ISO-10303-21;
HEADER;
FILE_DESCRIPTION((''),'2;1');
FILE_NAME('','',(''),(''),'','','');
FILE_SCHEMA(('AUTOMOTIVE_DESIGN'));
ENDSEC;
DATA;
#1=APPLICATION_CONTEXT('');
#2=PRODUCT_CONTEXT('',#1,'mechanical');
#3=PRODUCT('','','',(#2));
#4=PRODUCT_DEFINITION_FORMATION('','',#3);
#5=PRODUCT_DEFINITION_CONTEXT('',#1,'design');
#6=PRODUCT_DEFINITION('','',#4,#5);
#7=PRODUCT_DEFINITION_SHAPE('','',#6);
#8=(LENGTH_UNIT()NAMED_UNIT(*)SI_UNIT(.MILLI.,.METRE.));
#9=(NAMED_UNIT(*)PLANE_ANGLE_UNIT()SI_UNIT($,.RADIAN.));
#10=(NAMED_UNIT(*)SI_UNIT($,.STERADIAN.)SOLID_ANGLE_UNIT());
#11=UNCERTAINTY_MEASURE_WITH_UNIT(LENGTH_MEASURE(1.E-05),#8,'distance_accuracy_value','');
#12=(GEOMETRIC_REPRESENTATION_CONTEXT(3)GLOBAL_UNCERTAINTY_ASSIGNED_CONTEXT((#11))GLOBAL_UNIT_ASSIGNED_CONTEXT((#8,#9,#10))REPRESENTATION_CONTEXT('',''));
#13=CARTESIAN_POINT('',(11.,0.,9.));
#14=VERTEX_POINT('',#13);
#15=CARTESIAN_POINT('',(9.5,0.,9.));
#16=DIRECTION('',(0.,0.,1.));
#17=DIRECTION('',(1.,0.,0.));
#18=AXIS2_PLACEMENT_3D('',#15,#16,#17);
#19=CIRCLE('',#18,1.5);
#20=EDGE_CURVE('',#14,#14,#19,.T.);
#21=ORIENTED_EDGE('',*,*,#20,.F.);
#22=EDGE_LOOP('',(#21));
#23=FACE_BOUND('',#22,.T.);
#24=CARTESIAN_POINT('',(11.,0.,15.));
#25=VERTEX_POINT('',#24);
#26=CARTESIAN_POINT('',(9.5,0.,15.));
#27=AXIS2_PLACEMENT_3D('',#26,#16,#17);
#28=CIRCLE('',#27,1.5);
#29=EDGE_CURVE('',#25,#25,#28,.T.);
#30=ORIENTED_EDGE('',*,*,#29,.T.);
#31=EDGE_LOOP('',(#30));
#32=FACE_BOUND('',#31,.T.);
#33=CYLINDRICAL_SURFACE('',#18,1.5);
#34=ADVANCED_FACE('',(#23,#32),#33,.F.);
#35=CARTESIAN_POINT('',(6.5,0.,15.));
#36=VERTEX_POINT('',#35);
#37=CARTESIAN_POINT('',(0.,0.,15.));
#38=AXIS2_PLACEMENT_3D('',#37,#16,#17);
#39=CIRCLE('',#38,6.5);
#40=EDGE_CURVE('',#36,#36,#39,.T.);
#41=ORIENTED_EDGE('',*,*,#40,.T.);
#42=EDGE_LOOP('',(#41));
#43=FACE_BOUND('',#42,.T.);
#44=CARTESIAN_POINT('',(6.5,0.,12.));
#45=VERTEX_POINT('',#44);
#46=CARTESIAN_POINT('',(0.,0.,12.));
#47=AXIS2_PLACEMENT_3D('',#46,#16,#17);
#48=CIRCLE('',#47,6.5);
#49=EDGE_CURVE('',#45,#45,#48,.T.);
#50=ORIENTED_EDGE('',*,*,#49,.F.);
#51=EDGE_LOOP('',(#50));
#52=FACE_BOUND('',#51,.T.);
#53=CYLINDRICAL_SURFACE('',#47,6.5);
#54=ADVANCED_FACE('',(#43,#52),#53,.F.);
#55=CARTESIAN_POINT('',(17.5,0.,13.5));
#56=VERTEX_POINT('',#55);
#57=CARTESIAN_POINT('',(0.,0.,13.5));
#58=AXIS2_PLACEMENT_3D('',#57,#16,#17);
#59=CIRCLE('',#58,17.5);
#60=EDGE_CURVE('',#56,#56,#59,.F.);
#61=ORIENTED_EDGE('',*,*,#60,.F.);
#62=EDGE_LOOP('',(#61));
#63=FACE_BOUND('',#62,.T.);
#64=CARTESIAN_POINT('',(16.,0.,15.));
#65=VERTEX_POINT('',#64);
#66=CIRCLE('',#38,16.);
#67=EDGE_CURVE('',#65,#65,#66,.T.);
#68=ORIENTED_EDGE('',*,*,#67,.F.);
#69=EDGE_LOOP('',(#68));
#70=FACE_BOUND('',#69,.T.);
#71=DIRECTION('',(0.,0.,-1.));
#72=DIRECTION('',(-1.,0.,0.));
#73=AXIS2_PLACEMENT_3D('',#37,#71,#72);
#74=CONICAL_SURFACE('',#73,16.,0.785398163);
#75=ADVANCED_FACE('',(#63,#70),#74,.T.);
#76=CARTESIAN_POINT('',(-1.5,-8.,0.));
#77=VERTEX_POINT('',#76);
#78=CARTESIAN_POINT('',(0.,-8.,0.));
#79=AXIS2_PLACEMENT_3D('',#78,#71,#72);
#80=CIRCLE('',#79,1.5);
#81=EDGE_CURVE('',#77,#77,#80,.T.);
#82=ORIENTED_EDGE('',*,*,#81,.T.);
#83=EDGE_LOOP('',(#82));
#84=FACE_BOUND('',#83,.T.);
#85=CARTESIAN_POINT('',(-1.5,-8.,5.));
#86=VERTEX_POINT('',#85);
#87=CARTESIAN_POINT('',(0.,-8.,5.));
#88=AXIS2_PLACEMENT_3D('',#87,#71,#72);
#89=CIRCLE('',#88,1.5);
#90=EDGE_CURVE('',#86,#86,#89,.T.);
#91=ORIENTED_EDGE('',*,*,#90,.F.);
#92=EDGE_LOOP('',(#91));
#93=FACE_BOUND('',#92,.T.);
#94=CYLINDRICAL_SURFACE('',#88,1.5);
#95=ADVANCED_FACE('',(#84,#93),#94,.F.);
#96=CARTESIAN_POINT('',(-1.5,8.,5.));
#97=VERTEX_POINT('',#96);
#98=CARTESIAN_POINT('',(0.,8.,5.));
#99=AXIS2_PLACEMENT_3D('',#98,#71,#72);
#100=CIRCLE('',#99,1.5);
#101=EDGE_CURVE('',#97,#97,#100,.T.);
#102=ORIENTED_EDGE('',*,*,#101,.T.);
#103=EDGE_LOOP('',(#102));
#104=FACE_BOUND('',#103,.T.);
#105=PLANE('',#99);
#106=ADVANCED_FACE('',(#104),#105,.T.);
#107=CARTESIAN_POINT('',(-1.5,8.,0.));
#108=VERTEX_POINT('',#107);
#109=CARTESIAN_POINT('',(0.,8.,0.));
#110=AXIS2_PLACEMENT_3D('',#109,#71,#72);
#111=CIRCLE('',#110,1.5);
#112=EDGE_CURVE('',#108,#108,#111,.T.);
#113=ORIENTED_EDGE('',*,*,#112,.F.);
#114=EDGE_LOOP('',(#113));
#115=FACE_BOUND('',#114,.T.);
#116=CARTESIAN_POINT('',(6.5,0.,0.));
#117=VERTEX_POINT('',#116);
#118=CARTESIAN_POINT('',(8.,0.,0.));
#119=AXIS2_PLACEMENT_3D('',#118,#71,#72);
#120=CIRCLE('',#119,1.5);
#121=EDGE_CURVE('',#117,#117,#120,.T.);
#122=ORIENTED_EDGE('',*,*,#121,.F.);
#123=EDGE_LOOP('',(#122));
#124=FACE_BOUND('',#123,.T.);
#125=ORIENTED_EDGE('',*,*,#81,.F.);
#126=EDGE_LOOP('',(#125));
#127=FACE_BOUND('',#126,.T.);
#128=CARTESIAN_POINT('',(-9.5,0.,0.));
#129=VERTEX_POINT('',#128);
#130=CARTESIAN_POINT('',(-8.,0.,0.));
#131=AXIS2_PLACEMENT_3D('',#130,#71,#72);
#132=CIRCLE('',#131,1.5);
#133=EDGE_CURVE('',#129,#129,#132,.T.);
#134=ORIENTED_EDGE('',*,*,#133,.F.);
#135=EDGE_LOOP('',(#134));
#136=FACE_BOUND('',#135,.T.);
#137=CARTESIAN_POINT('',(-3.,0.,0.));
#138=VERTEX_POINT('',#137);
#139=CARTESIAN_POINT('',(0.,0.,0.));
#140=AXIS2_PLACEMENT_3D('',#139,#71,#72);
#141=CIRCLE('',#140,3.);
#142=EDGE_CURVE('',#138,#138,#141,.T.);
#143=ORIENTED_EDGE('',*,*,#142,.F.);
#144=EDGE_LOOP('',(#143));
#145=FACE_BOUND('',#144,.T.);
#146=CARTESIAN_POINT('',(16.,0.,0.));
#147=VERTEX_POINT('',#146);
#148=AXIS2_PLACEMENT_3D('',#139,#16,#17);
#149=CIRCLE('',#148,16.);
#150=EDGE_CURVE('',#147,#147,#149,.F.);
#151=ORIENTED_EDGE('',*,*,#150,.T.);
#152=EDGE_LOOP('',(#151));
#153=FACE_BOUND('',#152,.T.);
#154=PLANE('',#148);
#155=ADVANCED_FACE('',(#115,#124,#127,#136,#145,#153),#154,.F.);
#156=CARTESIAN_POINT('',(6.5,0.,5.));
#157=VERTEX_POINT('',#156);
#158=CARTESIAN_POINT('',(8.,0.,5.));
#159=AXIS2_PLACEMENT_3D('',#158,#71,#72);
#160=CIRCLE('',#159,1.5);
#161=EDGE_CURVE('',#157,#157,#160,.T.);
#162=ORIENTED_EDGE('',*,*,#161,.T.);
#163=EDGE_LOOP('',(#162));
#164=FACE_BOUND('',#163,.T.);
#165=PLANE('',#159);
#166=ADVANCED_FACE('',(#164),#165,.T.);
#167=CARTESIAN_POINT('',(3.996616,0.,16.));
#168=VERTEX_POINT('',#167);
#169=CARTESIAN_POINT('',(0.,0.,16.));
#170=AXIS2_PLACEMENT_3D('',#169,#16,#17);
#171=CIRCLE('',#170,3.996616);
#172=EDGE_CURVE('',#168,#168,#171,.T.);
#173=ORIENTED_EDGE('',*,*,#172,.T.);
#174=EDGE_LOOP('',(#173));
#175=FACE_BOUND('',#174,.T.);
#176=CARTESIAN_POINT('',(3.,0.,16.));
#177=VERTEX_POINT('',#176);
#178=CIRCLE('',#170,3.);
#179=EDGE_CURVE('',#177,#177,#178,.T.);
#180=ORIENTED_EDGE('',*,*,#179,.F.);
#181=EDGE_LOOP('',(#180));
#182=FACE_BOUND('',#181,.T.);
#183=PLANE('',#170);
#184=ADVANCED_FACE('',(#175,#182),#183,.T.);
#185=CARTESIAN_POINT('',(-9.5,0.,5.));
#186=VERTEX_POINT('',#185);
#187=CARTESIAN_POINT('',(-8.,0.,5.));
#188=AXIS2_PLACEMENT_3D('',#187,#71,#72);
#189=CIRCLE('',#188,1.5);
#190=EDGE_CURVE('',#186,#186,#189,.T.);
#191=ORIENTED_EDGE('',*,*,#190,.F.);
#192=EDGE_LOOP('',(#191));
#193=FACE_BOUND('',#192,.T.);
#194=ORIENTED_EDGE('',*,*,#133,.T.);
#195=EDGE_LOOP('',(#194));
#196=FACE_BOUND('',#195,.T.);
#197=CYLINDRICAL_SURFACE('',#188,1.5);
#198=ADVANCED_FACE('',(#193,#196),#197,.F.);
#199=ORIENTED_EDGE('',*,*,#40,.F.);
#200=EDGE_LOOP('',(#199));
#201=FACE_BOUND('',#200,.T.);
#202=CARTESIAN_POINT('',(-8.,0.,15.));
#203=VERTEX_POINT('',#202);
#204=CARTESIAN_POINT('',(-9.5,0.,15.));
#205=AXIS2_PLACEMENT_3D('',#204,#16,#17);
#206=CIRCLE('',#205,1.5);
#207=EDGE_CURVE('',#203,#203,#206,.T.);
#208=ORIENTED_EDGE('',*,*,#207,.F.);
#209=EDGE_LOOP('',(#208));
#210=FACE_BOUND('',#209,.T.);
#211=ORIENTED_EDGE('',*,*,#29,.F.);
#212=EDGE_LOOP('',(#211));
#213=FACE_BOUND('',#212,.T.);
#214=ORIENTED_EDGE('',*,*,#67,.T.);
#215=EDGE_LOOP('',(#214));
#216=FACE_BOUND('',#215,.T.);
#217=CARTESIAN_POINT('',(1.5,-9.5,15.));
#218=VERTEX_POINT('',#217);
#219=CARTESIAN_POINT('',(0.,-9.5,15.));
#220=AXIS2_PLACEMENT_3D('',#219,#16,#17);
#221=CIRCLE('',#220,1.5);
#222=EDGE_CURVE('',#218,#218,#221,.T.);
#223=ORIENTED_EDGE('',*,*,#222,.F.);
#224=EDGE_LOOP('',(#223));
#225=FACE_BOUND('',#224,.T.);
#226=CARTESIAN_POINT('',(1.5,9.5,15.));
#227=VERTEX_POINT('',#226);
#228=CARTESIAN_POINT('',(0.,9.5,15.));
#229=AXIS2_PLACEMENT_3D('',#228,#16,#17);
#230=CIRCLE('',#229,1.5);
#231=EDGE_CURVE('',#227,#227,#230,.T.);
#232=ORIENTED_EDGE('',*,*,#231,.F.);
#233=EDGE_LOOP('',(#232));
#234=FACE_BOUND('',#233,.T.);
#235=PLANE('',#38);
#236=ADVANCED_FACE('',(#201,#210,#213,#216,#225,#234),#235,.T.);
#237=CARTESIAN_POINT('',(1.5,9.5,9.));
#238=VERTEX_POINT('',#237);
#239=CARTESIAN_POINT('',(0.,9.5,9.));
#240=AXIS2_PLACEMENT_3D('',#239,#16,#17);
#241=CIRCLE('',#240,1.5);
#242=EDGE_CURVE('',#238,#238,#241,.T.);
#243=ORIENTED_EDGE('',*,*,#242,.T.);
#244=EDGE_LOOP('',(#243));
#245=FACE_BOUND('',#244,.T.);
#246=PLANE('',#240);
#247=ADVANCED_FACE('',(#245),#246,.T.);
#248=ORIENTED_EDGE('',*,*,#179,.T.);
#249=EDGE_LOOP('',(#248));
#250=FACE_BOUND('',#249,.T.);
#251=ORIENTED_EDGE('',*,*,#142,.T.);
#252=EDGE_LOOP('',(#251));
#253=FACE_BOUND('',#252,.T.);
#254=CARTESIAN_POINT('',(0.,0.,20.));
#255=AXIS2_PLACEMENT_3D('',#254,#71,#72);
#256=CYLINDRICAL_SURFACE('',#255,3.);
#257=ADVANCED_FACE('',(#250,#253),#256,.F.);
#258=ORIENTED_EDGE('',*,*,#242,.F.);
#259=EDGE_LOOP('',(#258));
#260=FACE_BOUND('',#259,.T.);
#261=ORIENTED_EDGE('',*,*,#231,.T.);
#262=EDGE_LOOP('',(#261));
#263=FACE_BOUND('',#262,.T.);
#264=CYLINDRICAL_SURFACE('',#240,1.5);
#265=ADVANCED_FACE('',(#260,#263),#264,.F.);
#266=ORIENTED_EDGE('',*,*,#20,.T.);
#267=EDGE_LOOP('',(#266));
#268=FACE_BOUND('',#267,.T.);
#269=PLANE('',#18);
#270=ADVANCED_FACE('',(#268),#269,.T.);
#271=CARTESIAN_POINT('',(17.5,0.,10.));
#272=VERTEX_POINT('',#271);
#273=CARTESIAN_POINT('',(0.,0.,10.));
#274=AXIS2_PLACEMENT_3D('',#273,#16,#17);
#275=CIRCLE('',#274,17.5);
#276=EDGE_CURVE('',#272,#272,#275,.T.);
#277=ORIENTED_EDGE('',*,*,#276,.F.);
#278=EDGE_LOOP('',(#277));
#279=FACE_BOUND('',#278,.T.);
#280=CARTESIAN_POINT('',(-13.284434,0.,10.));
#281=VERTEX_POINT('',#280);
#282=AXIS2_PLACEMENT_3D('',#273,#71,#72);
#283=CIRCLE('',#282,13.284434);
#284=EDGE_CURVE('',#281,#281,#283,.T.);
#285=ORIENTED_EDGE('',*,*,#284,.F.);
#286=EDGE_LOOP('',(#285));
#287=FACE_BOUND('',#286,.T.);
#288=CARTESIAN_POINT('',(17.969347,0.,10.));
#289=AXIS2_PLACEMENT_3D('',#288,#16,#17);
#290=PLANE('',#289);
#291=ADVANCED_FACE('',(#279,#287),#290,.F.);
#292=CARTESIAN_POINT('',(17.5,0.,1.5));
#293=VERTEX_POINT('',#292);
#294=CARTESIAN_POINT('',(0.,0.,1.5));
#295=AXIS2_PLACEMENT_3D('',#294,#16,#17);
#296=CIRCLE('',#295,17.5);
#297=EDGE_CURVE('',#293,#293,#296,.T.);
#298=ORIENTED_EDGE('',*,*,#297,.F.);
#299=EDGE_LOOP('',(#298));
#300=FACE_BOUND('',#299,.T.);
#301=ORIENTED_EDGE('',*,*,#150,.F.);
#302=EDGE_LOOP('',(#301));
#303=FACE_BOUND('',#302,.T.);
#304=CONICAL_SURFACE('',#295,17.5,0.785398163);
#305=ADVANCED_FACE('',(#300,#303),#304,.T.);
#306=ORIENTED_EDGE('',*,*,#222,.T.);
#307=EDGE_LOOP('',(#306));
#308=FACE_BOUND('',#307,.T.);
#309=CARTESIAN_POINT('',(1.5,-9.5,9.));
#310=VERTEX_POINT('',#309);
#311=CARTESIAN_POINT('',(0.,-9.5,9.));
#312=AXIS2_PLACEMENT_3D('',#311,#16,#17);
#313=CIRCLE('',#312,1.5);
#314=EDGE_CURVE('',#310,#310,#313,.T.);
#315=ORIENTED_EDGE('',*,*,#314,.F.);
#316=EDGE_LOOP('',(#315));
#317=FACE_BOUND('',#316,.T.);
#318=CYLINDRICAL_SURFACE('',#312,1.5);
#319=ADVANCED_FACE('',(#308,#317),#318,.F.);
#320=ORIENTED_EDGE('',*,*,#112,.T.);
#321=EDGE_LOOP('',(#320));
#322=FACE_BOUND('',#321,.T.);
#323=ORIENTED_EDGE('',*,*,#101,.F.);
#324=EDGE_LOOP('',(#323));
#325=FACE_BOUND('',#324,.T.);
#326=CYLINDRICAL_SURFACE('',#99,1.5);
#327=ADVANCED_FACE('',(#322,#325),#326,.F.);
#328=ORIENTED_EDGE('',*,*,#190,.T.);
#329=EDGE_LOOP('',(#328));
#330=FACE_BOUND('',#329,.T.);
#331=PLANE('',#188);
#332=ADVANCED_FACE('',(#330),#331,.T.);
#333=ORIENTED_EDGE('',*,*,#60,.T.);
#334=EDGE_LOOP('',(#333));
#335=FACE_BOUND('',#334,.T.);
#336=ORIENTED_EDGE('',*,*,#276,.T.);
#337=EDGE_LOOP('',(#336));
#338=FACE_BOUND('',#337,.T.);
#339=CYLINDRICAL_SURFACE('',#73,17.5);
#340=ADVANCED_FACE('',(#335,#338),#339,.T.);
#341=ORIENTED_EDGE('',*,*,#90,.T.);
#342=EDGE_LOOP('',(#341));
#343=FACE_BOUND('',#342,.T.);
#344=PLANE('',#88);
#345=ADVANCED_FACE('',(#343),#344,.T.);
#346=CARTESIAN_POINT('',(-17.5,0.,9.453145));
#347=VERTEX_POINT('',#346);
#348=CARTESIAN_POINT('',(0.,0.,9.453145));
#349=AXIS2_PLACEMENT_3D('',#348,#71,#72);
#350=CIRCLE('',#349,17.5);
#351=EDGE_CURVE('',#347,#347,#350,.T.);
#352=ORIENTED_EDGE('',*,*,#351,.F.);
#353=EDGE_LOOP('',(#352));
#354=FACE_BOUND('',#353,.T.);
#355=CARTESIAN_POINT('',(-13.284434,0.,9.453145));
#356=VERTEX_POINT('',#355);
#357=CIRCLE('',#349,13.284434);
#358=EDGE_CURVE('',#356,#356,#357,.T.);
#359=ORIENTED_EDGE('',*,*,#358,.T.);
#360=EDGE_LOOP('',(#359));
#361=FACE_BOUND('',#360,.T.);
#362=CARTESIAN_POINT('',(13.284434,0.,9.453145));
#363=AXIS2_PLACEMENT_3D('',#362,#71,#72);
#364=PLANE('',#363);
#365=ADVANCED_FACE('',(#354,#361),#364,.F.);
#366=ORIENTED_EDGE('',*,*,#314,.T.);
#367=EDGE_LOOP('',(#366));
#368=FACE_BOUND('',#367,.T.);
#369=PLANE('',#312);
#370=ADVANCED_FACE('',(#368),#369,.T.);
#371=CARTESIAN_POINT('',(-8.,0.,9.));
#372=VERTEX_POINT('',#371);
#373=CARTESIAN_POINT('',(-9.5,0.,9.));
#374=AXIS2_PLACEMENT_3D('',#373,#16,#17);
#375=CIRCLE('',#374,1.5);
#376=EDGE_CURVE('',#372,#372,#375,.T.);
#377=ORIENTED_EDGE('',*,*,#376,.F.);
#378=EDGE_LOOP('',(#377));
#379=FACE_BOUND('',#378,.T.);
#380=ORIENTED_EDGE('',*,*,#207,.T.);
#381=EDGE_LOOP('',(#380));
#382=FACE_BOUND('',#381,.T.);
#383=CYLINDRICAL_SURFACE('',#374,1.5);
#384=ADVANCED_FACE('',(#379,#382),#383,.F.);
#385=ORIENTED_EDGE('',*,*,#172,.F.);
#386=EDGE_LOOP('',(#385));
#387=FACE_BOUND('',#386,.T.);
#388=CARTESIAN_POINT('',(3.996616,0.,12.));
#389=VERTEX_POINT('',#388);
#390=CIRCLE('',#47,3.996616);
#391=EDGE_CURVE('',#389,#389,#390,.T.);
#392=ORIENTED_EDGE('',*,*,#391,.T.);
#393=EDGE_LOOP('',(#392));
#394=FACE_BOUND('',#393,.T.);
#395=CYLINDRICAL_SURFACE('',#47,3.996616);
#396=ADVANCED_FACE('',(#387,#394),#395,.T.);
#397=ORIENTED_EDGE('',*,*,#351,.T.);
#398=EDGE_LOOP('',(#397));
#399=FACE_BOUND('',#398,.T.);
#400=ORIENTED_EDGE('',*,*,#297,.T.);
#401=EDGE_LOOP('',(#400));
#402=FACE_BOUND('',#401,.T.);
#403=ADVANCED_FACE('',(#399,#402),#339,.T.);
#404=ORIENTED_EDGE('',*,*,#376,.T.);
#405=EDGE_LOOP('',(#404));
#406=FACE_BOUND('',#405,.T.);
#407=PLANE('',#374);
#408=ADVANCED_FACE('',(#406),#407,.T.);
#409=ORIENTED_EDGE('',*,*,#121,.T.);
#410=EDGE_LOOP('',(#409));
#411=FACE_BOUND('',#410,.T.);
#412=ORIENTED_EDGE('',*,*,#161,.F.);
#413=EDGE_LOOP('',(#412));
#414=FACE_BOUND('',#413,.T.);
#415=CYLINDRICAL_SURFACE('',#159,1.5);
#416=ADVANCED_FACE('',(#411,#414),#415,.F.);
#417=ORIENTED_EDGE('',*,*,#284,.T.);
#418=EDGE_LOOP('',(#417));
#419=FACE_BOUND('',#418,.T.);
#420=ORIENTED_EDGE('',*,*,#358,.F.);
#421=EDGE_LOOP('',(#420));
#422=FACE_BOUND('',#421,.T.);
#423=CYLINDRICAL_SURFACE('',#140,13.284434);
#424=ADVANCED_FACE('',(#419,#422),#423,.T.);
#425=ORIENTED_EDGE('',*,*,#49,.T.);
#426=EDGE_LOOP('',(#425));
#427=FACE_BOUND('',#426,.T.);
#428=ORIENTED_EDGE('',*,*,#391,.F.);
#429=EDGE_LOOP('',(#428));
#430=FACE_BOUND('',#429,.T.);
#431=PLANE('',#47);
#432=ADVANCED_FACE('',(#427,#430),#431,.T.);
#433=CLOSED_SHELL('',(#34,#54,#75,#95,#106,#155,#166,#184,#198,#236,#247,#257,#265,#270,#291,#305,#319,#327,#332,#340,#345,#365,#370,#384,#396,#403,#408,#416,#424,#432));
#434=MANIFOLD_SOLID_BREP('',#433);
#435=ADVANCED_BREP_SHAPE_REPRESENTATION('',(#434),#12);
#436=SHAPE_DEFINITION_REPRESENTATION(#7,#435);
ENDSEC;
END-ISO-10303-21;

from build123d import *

# Parameters (mm, degrees)
SKETCH_1_R          = 17.5
EXTRUDE_1_DEPTH     = 15
SKETCH_2_R          = 1.5
CUT_EXTRUDE_1_DEPTH = 5
SKETCH_4_R          = 3
CUT_EXTRUDE_2_DEPTH = 20
SKETCH_5_R          = 1.5
CUT_EXTRUDE_3_DEPTH = 6
CHAMFER_1_SIZE      = 1.5
SKETCH_6_R          = 6.5
SKETCH_6_R_2        = 3.996615851
CUT_EXTRUDE_4_DEPTH = 3
SKETCH_7_R          = 3.996615851
SKETCH_7_R_2        = 3
EXTRUDE_2_DEPTH     = 1


with BuildPart() as part:
    # 草图1 → 凸台-拉伸1 (new body)
    with BuildSketch(Plane.XY):
        Circle(SKETCH_1_R)
    extrude(amount=EXTRUDE_1_DEPTH)

    # 草图2 → 切除-拉伸1 (cut)
    with BuildSketch(Plane(origin=(0, 0, 0), x_dir=(-1, 0, 0), z_dir=(0, 0, -1))):
        with Locations((0, -8)):
            Circle(SKETCH_2_R)
        with Locations((-8, 0)):
            Circle(SKETCH_2_R)
        with Locations((0, 8)):
            Circle(SKETCH_2_R)
        with Locations((8, 0)):
            Circle(SKETCH_2_R)
    extrude(amount=-CUT_EXTRUDE_1_DEPTH, mode=Mode.SUBTRACT)

    # 草图3 → 切除-旋转1 (revolve, cut)
    with BuildSketch(Plane(origin=(0, 0, 0), x_dir=(1, 0, 0), z_dir=(0, 1, 0))):
        Polygon((13.284433797, -9.953144571), (13.284433797, -10), (17.969347124, -10), (17.969347124, -9.453144571), (13.284433797, -9.453144571), align=None)
    revolve(axis=Axis((0, 0, 0), (0, 0, 1)), mode=Mode.SUBTRACT)

    # 草图4 → 切除-拉伸2 (cut)
    with BuildSketch(Plane(origin=(0, 0, 0), x_dir=(-1, 0, 0), z_dir=(0, 0, -1))):
        Circle(SKETCH_4_R)
    extrude(amount=-CUT_EXTRUDE_2_DEPTH, mode=Mode.SUBTRACT)

    # 草图5 → 切除-拉伸3 (cut)
    with BuildSketch(Plane.XY.offset(15)):
        with Locations((0, -9.5)):
            Circle(SKETCH_5_R)
        with Locations((-9.5, 0)):
            Circle(SKETCH_5_R)
        with Locations((0, 9.5)):
            Circle(SKETCH_5_R)
        with Locations((9.5, 0)):
            Circle(SKETCH_5_R)
    extrude(amount=-CUT_EXTRUDE_3_DEPTH, mode=Mode.SUBTRACT)

    # 倒角1
    chamfer_1_edges = [part.edges().sort_by_distance(p)[0] for p in [
        (-17.5, 0, 0),
        (-17.5, 0, 15),
    ]]
    chamfer(chamfer_1_edges, length=CHAMFER_1_SIZE)

    # 草图6 → 切除-拉伸4 (cut)
    with BuildSketch(Plane.XY.offset(15)):
        Circle(SKETCH_6_R)
        Circle(SKETCH_6_R_2, mode=Mode.SUBTRACT)
    extrude(amount=-CUT_EXTRUDE_4_DEPTH, mode=Mode.SUBTRACT)

    # 草图7 → 凸台-拉伸2 (add)
    with BuildSketch(Plane.XY.offset(15)):
        Circle(SKETCH_7_R)
        Circle(SKETCH_7_R_2, mode=Mode.SUBTRACT)
    extrude(amount=EXTRUDE_2_DEPTH)


solid = part.part
